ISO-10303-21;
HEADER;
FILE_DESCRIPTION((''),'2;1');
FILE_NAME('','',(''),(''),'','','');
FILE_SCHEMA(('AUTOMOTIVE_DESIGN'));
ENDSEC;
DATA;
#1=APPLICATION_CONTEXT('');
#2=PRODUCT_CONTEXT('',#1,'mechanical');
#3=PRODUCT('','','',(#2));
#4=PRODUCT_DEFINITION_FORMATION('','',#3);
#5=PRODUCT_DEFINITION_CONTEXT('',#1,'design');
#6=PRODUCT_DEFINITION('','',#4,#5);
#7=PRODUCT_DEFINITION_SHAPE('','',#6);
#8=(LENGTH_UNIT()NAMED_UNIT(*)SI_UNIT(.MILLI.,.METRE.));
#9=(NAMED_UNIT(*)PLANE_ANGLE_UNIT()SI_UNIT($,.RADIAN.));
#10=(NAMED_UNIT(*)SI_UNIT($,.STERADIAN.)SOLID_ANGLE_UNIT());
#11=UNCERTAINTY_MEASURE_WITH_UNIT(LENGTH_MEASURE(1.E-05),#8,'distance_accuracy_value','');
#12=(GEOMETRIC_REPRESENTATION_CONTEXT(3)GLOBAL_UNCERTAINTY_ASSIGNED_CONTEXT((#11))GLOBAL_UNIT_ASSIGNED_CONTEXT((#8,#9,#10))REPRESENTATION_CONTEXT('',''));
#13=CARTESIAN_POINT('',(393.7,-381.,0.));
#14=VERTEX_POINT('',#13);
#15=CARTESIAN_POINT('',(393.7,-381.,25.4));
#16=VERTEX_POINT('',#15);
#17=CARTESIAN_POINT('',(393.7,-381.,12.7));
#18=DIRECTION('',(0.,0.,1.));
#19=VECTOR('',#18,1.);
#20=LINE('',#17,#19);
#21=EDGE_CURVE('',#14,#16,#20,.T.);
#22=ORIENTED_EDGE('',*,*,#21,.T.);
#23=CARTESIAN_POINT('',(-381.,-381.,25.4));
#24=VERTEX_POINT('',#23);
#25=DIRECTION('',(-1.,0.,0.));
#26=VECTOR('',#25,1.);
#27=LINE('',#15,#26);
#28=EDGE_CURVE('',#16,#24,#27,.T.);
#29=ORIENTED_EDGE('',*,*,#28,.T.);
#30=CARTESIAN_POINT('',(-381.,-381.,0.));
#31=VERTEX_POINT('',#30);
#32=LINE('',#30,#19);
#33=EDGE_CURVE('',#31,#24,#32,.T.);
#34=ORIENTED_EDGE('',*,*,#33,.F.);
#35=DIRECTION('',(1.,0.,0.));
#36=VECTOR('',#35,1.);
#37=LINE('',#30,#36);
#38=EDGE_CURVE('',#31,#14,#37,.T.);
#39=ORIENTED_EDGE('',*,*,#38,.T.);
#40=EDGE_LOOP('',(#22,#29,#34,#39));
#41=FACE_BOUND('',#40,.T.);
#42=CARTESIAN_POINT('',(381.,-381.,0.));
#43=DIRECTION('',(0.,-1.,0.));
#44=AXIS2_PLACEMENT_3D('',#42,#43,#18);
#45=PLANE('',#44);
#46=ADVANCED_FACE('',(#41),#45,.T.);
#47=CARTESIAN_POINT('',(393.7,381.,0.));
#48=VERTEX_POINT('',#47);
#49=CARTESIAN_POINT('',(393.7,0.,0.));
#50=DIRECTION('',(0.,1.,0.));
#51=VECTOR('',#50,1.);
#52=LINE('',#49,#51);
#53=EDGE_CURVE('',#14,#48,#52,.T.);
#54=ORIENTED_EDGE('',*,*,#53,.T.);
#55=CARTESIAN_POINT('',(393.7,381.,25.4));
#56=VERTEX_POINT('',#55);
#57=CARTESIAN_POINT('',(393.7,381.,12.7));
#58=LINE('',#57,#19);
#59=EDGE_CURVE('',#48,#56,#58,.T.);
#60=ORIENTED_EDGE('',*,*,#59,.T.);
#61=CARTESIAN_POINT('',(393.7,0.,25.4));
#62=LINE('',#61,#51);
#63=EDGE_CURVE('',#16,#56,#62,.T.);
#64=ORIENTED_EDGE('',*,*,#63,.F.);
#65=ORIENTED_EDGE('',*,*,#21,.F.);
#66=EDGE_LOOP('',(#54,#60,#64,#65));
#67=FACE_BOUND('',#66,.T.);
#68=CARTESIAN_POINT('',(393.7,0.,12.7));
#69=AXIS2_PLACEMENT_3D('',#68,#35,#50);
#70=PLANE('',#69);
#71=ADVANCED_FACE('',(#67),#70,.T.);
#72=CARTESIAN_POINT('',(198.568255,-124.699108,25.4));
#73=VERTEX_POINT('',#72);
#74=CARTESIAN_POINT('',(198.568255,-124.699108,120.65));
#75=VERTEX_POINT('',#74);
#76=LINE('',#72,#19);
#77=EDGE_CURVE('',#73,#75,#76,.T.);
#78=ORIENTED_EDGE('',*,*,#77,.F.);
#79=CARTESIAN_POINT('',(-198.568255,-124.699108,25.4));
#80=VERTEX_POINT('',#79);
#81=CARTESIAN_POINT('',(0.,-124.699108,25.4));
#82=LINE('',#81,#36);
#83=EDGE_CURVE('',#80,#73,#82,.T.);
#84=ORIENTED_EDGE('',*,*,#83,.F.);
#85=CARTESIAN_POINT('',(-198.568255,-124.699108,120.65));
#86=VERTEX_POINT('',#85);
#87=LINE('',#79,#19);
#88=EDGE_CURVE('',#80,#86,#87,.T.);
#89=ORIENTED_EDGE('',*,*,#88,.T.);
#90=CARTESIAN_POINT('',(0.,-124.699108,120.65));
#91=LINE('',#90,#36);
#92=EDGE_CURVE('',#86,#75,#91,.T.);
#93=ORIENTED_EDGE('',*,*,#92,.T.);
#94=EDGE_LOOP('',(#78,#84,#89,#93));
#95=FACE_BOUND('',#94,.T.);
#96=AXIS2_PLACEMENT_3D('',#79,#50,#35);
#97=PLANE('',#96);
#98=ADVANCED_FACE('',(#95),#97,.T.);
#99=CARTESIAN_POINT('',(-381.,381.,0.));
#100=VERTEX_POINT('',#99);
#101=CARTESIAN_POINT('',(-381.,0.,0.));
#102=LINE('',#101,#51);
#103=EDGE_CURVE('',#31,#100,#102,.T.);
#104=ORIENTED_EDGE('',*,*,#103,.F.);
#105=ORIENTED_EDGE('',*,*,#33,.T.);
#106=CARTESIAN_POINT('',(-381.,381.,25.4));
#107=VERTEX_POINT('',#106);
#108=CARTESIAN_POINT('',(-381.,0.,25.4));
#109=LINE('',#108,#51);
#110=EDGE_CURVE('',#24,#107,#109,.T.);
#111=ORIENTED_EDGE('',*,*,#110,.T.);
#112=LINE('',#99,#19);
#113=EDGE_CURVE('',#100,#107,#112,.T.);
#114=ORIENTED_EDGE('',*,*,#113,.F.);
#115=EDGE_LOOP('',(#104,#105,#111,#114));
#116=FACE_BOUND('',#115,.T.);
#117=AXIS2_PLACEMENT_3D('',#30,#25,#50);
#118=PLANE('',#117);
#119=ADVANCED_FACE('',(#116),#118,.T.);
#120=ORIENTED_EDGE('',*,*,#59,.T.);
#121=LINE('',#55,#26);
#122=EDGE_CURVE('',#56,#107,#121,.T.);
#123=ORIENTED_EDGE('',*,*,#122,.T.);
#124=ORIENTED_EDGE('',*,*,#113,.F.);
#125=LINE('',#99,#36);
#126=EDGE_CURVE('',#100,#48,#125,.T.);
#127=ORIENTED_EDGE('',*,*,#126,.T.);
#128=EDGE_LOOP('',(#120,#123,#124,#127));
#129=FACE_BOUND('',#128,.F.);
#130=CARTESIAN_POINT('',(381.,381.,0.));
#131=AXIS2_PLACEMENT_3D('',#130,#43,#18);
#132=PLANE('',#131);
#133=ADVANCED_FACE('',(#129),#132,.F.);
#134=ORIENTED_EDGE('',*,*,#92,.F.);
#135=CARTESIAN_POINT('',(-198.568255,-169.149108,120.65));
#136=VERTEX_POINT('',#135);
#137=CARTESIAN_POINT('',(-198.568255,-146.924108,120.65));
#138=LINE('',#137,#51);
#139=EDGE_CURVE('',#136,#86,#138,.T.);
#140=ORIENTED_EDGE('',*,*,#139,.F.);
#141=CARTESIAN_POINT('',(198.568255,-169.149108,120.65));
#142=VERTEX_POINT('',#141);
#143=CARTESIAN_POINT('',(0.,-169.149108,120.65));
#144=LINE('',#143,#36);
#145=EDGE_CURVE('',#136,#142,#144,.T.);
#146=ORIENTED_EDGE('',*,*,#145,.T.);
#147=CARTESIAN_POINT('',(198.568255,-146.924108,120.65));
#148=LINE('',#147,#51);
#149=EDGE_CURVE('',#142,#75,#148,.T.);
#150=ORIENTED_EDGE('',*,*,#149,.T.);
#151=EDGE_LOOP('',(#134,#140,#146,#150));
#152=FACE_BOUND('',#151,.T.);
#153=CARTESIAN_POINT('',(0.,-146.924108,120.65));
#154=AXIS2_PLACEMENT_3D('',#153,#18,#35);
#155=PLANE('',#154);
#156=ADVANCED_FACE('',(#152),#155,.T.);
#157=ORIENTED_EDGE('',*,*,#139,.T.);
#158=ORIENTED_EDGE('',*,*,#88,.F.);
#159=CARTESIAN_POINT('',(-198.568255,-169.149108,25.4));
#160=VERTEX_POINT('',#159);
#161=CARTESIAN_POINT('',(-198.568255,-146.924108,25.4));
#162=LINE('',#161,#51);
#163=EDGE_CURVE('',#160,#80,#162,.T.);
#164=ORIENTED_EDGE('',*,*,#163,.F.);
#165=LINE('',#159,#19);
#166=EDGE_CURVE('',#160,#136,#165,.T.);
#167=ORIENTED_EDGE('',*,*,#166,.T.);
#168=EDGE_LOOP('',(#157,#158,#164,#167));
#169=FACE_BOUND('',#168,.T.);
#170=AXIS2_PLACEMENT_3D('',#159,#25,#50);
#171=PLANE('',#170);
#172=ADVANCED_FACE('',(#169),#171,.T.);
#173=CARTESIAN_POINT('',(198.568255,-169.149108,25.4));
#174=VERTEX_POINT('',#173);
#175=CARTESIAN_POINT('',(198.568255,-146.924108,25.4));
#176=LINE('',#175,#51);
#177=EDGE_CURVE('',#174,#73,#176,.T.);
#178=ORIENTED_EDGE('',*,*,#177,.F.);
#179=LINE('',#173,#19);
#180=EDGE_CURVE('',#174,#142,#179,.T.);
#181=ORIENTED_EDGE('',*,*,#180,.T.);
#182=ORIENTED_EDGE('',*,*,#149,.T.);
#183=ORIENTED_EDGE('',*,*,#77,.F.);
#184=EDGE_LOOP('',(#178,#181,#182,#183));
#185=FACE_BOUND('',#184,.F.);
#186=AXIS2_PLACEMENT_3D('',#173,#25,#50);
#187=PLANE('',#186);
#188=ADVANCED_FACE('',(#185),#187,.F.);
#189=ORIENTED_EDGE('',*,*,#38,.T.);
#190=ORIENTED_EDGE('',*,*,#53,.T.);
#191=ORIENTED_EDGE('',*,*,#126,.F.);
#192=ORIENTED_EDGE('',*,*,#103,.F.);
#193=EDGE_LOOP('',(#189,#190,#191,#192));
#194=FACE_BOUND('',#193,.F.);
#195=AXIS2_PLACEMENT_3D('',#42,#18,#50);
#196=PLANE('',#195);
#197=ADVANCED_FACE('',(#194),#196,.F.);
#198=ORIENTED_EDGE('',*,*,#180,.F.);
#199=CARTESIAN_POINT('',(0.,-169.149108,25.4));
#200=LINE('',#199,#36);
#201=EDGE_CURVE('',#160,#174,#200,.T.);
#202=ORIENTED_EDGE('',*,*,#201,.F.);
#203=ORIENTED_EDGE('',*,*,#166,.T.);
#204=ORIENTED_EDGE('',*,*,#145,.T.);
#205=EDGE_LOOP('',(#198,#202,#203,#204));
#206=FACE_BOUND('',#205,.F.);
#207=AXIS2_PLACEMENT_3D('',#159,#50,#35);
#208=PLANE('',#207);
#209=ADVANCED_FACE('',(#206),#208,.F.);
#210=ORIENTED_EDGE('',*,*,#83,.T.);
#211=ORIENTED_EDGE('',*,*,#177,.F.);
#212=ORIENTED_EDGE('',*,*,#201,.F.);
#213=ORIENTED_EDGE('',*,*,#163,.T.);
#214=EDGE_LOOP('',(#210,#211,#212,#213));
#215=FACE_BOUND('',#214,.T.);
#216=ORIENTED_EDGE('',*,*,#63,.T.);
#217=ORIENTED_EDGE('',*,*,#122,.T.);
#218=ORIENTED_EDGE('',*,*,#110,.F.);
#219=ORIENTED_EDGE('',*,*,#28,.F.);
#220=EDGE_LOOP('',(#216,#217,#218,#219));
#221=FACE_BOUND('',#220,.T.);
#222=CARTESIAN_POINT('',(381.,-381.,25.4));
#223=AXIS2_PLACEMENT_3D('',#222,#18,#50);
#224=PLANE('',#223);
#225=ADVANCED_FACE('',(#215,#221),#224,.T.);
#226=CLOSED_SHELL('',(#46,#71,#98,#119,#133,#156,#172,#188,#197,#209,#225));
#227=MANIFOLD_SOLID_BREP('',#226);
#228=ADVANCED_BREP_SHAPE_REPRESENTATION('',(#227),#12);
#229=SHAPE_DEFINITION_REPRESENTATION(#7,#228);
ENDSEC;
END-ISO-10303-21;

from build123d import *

# Parameters (mm, degrees)
F0_W      = 762
F0_H      = 762
F1_DEPTH  = 25.4
F1_FACE_W = 762
F1_FACE_H = 25.4
F2_DEPTH  = 12.7
F4_W      = 397.13651
F4_H      = 44.45
F5_DEPTH  = 95.25


with BuildPart() as f1:
    # F0 (on Top) → F1 (new body)
    with BuildSketch(Plane.XY):
        Rectangle(F0_W, F0_H)
    extrude(amount=F1_DEPTH)

    # F1_face (on face) → F2 (join)
    with BuildSketch(Plane(origin=(381, 0, 12.7), x_dir=(0, 1, 0), z_dir=(1, 0, 0))):
        Rectangle(F1_FACE_W, F1_FACE_H)
    extrude(amount=F2_DEPTH)

    # F4 (on face) → F5 (join)
    with BuildSketch(Plane.XY.offset(25.4)):
        with Locations((0, -146.924108)):
            Rectangle(F4_W, F4_H)
    extrude(amount=F5_DEPTH)


solid = f1.part
